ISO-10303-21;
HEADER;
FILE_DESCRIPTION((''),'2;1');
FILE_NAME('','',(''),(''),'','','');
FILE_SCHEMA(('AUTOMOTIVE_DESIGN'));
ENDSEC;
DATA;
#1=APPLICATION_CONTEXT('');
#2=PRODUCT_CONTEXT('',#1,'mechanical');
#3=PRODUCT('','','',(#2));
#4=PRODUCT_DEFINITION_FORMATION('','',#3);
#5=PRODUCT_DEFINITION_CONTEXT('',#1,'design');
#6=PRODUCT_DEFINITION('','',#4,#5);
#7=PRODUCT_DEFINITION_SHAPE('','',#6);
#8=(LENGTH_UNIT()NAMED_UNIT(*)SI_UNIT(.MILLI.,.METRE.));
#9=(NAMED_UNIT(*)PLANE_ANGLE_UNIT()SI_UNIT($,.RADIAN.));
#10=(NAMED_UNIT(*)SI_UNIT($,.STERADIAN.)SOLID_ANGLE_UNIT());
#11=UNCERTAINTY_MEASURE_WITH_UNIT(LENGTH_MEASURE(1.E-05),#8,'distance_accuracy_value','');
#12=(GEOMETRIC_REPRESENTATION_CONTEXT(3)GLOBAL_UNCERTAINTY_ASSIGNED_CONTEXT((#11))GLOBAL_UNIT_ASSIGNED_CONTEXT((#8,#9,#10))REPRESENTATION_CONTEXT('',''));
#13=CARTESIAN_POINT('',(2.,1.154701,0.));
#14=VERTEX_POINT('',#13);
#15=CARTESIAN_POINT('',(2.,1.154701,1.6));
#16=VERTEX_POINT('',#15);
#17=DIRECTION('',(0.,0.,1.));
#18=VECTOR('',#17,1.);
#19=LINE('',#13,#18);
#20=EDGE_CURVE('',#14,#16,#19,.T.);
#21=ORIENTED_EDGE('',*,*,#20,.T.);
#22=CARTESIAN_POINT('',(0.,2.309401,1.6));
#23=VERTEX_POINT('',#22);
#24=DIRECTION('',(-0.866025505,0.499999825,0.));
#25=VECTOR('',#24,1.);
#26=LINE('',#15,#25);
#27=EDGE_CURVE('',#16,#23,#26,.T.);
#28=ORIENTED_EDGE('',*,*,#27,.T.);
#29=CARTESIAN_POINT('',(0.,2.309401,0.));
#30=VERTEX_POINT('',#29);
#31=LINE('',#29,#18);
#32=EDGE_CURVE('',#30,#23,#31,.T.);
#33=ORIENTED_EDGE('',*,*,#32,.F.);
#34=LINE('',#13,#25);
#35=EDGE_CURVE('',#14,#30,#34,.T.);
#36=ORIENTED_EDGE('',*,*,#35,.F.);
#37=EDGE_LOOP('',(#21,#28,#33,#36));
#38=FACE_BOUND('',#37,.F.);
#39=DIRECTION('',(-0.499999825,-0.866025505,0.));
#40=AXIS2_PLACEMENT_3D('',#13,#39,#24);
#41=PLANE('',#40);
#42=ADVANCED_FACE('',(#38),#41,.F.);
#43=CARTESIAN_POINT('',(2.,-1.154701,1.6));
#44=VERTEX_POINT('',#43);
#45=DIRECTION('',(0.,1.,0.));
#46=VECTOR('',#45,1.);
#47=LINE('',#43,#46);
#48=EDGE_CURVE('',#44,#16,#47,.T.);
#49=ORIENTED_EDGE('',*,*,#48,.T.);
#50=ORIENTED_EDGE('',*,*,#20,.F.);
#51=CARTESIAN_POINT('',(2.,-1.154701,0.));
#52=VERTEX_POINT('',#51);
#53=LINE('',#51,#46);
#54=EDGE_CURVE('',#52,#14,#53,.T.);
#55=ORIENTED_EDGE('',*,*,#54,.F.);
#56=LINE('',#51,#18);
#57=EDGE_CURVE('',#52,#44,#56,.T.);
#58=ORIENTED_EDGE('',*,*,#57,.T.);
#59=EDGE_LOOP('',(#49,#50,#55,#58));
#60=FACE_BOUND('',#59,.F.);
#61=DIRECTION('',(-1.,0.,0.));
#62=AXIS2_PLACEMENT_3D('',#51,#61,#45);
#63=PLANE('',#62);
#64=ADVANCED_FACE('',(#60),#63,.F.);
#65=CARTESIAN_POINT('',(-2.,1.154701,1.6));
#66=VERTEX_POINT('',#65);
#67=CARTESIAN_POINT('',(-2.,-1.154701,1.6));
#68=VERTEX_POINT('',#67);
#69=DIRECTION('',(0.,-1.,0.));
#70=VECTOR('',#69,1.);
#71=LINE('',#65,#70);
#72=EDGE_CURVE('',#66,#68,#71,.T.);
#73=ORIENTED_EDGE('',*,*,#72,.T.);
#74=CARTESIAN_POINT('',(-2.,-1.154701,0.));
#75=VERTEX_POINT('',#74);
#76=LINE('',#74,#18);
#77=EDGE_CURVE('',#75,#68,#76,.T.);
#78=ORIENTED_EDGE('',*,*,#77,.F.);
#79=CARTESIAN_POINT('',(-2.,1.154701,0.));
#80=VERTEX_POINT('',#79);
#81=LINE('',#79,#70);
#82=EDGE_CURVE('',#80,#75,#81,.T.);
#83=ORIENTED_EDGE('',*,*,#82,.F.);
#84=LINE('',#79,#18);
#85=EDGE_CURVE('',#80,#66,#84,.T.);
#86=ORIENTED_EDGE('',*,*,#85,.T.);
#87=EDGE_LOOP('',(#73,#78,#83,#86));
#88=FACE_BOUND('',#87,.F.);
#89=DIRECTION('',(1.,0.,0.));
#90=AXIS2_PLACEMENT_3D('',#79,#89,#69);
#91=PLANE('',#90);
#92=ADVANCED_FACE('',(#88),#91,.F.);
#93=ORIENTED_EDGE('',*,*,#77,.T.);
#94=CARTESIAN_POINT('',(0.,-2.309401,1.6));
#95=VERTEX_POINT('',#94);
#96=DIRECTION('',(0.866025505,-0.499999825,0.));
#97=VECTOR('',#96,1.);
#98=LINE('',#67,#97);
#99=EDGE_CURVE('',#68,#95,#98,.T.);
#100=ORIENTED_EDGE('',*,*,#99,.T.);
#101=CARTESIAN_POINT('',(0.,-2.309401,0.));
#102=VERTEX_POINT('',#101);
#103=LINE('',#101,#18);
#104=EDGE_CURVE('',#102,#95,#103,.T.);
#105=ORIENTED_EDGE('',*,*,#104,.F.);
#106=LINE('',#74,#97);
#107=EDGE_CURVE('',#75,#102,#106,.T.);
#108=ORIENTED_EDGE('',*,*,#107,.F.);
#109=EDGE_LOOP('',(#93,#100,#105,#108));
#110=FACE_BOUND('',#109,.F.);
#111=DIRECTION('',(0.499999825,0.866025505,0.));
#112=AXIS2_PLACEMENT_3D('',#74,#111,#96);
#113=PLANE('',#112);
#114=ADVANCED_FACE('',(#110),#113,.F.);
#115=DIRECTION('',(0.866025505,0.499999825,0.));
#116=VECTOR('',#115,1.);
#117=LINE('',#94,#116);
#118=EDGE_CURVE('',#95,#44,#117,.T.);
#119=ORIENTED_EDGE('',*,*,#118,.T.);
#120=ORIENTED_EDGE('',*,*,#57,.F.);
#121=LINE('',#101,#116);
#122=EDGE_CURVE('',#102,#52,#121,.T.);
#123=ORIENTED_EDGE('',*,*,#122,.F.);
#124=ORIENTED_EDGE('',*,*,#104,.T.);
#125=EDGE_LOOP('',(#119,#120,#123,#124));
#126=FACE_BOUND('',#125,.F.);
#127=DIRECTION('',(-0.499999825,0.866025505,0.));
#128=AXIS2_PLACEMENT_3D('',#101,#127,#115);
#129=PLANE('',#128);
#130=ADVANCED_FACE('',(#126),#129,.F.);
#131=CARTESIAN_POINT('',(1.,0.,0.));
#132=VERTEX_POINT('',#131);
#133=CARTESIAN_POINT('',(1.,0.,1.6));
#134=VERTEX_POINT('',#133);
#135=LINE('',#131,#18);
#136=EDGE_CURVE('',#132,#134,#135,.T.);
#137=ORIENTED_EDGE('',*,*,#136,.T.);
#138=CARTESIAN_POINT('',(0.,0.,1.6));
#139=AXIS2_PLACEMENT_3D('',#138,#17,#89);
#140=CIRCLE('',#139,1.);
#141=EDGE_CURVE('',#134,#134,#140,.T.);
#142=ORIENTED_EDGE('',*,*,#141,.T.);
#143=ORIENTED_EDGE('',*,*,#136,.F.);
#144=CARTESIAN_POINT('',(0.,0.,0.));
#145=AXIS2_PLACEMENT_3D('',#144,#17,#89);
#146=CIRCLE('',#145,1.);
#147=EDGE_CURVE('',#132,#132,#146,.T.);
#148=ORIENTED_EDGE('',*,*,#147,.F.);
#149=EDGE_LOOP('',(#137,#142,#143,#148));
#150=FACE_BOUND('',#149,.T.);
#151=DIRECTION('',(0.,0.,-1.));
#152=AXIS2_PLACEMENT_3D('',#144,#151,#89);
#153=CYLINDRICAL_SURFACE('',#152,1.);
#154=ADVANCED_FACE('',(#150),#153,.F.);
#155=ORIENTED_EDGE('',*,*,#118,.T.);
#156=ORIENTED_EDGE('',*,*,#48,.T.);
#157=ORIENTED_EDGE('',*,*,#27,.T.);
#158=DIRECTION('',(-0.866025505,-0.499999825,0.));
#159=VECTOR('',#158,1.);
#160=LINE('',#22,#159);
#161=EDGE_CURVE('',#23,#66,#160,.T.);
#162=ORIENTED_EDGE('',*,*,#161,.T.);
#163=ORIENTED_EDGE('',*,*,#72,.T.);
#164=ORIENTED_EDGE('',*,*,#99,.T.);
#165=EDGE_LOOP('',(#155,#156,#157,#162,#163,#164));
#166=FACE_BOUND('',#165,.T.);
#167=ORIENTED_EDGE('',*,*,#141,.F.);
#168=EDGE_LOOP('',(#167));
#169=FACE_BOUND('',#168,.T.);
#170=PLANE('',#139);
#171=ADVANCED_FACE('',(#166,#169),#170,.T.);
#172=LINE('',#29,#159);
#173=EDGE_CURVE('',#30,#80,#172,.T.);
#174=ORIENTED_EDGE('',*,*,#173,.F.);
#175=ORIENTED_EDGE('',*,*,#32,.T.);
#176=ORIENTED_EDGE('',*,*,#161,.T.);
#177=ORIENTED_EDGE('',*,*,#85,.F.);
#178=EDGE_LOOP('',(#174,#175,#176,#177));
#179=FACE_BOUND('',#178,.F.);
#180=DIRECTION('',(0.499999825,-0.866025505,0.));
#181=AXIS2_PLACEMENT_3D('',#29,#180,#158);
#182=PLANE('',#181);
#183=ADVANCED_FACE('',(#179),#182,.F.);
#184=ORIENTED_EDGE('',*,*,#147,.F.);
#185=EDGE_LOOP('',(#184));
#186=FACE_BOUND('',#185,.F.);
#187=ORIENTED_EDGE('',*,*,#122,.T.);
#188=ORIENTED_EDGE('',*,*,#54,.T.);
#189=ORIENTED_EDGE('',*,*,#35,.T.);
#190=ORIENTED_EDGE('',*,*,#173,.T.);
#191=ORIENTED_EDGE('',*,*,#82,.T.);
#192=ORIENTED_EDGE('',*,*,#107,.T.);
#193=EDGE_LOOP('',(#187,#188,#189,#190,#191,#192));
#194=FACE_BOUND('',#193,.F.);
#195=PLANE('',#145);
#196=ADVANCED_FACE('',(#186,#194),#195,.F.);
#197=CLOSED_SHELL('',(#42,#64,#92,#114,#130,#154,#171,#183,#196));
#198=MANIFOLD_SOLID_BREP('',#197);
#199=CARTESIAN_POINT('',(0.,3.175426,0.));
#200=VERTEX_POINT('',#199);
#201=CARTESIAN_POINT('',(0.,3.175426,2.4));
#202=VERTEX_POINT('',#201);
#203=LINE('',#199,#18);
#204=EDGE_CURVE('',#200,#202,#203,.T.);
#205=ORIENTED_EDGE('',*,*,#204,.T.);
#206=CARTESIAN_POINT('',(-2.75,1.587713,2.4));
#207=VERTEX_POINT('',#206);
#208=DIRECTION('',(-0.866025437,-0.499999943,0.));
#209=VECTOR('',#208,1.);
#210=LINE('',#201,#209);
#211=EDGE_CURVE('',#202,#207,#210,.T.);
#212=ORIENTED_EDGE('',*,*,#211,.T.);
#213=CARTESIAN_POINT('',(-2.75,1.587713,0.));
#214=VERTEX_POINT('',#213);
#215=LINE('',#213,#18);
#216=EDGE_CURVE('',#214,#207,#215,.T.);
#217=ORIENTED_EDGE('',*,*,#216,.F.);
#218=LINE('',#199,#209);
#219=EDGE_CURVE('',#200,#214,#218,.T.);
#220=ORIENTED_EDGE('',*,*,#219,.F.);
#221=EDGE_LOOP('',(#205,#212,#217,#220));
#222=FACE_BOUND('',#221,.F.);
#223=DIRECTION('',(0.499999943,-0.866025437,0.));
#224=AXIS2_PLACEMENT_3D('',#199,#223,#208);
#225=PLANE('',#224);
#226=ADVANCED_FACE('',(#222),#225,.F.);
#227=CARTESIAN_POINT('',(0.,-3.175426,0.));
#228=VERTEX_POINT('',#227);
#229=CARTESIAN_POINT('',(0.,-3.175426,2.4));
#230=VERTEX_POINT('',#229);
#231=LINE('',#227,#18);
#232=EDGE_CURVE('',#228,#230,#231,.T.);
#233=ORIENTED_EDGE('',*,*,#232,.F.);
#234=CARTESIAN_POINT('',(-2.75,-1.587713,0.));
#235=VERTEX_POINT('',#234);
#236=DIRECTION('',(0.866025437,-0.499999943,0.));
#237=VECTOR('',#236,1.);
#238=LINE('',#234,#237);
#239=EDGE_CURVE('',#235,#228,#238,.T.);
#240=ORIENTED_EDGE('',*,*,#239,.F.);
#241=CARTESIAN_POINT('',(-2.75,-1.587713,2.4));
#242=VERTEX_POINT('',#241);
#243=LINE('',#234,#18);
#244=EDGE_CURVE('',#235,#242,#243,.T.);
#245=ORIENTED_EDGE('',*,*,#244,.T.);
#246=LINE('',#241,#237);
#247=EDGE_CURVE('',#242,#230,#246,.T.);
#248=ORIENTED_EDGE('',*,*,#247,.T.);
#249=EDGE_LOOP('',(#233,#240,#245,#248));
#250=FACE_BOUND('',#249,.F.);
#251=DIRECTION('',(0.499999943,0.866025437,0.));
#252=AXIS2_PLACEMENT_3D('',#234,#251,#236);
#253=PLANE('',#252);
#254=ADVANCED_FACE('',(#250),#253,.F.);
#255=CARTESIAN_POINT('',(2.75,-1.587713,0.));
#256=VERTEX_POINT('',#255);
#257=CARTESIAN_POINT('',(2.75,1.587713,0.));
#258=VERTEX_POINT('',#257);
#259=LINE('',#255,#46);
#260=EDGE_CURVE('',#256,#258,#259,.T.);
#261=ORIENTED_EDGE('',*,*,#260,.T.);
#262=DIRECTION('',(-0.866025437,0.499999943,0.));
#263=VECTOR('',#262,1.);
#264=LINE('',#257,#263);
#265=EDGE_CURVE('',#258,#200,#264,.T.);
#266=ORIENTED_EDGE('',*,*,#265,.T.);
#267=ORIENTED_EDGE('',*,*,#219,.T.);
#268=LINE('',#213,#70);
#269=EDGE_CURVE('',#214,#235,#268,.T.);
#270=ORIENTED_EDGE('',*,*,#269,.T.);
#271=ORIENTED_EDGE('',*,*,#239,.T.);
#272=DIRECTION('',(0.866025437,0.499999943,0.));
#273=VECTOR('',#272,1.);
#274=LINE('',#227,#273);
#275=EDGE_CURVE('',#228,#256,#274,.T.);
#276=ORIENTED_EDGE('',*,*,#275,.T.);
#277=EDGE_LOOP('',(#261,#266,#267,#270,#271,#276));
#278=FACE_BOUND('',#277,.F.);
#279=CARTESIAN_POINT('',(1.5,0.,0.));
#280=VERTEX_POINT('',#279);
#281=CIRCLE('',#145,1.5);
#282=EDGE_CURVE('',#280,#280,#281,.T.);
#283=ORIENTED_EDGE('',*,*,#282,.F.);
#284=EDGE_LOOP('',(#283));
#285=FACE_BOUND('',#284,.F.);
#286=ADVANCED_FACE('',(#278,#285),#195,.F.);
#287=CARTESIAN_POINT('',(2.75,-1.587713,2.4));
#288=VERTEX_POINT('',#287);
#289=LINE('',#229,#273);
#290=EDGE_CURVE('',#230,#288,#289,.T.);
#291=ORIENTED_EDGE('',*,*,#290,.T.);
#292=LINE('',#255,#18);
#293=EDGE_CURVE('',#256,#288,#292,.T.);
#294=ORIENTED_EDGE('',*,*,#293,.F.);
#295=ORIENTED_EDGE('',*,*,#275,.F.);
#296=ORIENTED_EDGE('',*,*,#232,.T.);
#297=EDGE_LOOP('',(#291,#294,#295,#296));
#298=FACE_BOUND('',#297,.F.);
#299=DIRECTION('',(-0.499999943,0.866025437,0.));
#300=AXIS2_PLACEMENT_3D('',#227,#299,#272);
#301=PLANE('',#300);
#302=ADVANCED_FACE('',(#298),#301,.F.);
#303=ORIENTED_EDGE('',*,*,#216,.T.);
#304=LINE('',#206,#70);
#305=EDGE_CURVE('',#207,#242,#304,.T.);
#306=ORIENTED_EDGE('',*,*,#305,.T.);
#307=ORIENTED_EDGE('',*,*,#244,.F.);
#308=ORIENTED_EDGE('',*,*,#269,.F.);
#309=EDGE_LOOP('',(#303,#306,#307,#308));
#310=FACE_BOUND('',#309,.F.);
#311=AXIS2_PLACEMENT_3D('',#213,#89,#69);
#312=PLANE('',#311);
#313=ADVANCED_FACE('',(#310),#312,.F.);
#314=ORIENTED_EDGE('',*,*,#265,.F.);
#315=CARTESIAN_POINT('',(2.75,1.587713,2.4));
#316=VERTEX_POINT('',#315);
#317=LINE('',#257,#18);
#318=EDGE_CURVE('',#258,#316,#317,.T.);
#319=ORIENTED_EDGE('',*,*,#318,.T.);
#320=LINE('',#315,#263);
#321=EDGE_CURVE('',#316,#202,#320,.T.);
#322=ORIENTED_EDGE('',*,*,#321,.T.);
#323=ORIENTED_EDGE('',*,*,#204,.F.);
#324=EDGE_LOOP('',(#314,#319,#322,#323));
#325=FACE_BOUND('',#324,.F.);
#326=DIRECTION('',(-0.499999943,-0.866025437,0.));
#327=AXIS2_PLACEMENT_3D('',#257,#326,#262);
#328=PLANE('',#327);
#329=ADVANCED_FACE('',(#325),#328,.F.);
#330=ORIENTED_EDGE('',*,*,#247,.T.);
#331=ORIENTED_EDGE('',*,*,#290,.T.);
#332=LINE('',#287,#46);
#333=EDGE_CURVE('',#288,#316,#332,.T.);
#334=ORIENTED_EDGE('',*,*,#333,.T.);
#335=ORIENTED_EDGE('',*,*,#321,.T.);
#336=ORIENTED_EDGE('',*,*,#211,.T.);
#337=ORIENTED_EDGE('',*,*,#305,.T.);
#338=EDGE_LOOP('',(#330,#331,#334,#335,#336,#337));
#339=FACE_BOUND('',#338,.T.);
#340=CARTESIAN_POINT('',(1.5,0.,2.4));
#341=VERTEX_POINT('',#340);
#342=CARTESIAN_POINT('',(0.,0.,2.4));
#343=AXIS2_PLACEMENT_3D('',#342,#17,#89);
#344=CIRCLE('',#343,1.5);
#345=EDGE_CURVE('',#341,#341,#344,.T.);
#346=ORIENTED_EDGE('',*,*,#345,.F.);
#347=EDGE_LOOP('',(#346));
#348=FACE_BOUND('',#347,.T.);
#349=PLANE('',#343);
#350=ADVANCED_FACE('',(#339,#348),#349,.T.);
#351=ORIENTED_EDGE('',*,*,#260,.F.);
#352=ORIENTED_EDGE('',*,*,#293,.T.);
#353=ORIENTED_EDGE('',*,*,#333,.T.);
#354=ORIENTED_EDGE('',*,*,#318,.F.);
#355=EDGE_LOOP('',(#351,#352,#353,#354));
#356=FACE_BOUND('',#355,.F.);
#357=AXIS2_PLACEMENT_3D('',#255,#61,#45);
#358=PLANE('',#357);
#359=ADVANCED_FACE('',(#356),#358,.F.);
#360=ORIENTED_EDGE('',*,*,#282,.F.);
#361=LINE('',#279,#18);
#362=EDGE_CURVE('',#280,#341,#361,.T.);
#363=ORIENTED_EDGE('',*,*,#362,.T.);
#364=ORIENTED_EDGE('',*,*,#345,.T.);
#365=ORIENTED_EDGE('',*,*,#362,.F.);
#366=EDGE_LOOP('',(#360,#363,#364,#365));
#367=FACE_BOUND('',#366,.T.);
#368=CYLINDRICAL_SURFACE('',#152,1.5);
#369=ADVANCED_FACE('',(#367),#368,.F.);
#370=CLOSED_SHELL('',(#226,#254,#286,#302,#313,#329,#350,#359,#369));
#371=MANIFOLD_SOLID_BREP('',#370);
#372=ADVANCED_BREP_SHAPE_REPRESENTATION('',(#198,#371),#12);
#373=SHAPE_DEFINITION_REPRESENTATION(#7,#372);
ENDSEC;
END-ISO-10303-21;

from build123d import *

# Parameters (mm, degrees)
F0_R     = 1
F1_DEPTH = 1.6
F2_R     = 1.5
F3_DEPTH = 2.4


with BuildPart() as f1:
    # F0 (on Top) → F1 (new body)
    with BuildSketch(Plane.XY):
        Polygon((2, -1.154701), (2, 1.154701), (0, 2.309401), (-2, 1.154701), (-2, -1.154701), (0, -2.309401), align=None)
        Circle(F0_R, mode=Mode.SUBTRACT)
    extrude(amount=F1_DEPTH)


with BuildPart() as f3:
    # F2 (on Top) → F3 (new body)
    with BuildSketch(Plane.XY):
        Polygon((2.75, -1.587713), (2.75, 1.587713), (0, 3.175426), (-2.75, 1.587713), (-2.75, -1.587713), (0, -3.175426), align=None)
        Circle(F2_R, mode=Mode.SUBTRACT)
    extrude(amount=F3_DEPTH)


solid = Compound([f1.part, f3.part])
